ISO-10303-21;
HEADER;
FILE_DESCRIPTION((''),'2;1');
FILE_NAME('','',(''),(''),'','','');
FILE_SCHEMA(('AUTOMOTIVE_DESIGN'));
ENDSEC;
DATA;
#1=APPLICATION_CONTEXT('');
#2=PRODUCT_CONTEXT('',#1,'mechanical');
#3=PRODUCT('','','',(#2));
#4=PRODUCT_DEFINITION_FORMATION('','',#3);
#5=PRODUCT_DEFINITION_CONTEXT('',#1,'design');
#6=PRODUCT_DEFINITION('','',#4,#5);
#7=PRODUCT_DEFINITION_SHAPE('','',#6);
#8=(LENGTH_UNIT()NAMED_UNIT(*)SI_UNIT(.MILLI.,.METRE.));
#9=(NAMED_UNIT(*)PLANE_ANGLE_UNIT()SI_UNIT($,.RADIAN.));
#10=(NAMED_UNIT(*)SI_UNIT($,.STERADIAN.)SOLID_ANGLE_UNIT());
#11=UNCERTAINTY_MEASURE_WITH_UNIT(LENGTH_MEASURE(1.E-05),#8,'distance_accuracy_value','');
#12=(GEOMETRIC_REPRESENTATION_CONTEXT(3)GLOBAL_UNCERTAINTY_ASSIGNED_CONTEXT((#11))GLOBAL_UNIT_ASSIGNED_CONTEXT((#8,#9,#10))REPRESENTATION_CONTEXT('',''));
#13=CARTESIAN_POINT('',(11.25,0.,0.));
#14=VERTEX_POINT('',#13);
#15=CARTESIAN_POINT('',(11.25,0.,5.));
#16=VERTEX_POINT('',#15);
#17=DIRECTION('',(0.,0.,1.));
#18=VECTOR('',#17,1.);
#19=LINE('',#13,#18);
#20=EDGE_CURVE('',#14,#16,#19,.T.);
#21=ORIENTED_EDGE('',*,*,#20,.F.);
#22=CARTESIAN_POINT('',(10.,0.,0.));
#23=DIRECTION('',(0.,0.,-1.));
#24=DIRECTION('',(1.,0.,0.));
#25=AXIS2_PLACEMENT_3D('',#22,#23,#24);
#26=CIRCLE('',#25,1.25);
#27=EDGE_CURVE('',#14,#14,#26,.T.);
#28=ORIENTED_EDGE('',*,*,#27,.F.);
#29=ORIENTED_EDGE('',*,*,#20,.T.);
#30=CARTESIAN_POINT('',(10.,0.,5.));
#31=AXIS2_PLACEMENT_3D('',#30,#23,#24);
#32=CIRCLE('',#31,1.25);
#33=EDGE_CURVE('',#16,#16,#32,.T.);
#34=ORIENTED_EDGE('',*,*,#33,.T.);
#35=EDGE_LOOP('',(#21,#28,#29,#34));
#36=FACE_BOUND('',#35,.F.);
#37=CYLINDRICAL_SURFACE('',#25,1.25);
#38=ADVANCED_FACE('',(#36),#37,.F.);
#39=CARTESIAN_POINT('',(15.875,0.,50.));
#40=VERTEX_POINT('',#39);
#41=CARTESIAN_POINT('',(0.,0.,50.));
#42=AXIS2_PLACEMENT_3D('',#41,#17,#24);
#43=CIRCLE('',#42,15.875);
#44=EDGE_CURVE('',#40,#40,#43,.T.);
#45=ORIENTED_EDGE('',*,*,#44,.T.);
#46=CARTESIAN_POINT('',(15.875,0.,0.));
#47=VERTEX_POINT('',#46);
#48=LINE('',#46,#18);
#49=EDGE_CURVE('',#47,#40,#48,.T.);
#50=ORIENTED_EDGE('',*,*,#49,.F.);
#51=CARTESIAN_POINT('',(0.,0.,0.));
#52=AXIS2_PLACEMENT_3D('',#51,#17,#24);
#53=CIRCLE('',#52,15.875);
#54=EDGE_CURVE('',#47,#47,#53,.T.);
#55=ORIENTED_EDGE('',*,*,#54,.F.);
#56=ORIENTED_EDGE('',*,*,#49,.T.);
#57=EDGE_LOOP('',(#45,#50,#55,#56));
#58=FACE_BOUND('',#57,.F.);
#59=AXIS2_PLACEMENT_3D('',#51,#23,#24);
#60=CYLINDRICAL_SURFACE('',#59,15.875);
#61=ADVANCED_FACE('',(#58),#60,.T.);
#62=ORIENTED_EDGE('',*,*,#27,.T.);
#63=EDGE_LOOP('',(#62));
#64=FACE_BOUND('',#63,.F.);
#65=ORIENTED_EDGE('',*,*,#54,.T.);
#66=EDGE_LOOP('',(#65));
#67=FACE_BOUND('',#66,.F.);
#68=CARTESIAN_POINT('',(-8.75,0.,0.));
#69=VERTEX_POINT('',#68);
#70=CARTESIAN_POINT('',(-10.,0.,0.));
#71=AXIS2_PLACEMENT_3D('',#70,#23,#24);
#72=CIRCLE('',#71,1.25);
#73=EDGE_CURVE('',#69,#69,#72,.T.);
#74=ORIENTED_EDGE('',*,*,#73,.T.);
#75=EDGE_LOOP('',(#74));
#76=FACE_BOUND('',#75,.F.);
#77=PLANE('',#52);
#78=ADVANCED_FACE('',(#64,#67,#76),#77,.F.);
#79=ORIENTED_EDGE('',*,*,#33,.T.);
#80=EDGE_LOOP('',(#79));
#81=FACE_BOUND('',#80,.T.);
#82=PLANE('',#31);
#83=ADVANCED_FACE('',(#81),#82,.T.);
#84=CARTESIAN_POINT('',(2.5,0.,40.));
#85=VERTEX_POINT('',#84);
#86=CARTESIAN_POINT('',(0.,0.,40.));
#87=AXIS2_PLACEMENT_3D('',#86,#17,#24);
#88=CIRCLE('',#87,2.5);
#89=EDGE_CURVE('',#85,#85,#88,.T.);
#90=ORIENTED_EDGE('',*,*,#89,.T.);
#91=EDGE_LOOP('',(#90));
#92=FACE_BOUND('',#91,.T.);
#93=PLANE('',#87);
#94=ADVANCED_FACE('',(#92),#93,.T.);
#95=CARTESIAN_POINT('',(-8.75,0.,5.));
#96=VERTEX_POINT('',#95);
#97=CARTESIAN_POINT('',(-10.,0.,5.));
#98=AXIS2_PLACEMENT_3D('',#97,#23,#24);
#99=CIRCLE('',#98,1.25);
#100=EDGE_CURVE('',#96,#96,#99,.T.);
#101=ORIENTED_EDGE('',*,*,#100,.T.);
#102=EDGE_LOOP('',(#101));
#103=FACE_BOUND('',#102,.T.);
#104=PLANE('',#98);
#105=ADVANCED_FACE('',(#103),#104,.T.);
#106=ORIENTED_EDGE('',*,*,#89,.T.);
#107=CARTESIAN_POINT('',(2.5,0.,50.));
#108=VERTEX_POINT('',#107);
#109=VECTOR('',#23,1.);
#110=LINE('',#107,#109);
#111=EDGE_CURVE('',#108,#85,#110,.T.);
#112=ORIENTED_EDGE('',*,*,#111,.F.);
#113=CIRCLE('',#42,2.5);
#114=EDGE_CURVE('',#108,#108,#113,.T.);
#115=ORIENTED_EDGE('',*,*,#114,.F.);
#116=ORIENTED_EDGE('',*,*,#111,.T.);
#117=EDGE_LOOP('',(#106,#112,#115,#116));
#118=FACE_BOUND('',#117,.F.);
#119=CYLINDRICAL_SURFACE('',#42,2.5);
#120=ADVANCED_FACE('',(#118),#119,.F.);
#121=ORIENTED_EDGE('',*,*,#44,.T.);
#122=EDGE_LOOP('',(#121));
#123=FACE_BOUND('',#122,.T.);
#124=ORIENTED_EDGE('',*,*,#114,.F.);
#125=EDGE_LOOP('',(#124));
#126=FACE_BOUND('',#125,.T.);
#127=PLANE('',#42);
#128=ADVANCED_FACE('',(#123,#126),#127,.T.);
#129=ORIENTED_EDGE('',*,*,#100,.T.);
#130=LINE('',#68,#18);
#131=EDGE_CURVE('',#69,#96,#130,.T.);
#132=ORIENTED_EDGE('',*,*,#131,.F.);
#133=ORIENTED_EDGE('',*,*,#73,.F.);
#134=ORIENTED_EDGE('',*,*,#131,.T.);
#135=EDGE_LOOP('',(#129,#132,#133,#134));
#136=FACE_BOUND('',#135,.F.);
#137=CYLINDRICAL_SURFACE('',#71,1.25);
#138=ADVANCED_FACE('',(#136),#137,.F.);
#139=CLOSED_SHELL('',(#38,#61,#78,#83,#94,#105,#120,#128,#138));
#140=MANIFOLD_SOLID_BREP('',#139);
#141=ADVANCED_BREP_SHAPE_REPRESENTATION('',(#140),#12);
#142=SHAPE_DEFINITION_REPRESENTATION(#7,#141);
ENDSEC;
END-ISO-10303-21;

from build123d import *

# Parameters (mm, degrees)
F0_R     = 15.875
F1_DEPTH = 50
F2_R     = 2.5
F3_DEPTH = 10
F4_R     = 1.25
F5_DEPTH = 5


with BuildPart() as f1:
    # F0 (on Top) → F1 (new body)
    with BuildSketch(Plane.XY):
        Circle(F0_R)
    extrude(amount=F1_DEPTH)

    # F2 (on face) → F3 (cut)
    with BuildSketch(Plane.XY.offset(50)):
        Circle(F2_R)
    extrude(amount=-F3_DEPTH, mode=Mode.SUBTRACT)

    # F4 (on face) → F5 (cut)
    with BuildSketch(Plane(origin=(0, 0, 0), x_dir=(1, 0, 0), z_dir=(0, 0, -1))):
        with Locations((10, 0)):
            Circle(F4_R)
        with Locations((-10, 0)):
            Circle(F4_R)
    extrude(amount=-F5_DEPTH, mode=Mode.SUBTRACT)


solid = f1.part
